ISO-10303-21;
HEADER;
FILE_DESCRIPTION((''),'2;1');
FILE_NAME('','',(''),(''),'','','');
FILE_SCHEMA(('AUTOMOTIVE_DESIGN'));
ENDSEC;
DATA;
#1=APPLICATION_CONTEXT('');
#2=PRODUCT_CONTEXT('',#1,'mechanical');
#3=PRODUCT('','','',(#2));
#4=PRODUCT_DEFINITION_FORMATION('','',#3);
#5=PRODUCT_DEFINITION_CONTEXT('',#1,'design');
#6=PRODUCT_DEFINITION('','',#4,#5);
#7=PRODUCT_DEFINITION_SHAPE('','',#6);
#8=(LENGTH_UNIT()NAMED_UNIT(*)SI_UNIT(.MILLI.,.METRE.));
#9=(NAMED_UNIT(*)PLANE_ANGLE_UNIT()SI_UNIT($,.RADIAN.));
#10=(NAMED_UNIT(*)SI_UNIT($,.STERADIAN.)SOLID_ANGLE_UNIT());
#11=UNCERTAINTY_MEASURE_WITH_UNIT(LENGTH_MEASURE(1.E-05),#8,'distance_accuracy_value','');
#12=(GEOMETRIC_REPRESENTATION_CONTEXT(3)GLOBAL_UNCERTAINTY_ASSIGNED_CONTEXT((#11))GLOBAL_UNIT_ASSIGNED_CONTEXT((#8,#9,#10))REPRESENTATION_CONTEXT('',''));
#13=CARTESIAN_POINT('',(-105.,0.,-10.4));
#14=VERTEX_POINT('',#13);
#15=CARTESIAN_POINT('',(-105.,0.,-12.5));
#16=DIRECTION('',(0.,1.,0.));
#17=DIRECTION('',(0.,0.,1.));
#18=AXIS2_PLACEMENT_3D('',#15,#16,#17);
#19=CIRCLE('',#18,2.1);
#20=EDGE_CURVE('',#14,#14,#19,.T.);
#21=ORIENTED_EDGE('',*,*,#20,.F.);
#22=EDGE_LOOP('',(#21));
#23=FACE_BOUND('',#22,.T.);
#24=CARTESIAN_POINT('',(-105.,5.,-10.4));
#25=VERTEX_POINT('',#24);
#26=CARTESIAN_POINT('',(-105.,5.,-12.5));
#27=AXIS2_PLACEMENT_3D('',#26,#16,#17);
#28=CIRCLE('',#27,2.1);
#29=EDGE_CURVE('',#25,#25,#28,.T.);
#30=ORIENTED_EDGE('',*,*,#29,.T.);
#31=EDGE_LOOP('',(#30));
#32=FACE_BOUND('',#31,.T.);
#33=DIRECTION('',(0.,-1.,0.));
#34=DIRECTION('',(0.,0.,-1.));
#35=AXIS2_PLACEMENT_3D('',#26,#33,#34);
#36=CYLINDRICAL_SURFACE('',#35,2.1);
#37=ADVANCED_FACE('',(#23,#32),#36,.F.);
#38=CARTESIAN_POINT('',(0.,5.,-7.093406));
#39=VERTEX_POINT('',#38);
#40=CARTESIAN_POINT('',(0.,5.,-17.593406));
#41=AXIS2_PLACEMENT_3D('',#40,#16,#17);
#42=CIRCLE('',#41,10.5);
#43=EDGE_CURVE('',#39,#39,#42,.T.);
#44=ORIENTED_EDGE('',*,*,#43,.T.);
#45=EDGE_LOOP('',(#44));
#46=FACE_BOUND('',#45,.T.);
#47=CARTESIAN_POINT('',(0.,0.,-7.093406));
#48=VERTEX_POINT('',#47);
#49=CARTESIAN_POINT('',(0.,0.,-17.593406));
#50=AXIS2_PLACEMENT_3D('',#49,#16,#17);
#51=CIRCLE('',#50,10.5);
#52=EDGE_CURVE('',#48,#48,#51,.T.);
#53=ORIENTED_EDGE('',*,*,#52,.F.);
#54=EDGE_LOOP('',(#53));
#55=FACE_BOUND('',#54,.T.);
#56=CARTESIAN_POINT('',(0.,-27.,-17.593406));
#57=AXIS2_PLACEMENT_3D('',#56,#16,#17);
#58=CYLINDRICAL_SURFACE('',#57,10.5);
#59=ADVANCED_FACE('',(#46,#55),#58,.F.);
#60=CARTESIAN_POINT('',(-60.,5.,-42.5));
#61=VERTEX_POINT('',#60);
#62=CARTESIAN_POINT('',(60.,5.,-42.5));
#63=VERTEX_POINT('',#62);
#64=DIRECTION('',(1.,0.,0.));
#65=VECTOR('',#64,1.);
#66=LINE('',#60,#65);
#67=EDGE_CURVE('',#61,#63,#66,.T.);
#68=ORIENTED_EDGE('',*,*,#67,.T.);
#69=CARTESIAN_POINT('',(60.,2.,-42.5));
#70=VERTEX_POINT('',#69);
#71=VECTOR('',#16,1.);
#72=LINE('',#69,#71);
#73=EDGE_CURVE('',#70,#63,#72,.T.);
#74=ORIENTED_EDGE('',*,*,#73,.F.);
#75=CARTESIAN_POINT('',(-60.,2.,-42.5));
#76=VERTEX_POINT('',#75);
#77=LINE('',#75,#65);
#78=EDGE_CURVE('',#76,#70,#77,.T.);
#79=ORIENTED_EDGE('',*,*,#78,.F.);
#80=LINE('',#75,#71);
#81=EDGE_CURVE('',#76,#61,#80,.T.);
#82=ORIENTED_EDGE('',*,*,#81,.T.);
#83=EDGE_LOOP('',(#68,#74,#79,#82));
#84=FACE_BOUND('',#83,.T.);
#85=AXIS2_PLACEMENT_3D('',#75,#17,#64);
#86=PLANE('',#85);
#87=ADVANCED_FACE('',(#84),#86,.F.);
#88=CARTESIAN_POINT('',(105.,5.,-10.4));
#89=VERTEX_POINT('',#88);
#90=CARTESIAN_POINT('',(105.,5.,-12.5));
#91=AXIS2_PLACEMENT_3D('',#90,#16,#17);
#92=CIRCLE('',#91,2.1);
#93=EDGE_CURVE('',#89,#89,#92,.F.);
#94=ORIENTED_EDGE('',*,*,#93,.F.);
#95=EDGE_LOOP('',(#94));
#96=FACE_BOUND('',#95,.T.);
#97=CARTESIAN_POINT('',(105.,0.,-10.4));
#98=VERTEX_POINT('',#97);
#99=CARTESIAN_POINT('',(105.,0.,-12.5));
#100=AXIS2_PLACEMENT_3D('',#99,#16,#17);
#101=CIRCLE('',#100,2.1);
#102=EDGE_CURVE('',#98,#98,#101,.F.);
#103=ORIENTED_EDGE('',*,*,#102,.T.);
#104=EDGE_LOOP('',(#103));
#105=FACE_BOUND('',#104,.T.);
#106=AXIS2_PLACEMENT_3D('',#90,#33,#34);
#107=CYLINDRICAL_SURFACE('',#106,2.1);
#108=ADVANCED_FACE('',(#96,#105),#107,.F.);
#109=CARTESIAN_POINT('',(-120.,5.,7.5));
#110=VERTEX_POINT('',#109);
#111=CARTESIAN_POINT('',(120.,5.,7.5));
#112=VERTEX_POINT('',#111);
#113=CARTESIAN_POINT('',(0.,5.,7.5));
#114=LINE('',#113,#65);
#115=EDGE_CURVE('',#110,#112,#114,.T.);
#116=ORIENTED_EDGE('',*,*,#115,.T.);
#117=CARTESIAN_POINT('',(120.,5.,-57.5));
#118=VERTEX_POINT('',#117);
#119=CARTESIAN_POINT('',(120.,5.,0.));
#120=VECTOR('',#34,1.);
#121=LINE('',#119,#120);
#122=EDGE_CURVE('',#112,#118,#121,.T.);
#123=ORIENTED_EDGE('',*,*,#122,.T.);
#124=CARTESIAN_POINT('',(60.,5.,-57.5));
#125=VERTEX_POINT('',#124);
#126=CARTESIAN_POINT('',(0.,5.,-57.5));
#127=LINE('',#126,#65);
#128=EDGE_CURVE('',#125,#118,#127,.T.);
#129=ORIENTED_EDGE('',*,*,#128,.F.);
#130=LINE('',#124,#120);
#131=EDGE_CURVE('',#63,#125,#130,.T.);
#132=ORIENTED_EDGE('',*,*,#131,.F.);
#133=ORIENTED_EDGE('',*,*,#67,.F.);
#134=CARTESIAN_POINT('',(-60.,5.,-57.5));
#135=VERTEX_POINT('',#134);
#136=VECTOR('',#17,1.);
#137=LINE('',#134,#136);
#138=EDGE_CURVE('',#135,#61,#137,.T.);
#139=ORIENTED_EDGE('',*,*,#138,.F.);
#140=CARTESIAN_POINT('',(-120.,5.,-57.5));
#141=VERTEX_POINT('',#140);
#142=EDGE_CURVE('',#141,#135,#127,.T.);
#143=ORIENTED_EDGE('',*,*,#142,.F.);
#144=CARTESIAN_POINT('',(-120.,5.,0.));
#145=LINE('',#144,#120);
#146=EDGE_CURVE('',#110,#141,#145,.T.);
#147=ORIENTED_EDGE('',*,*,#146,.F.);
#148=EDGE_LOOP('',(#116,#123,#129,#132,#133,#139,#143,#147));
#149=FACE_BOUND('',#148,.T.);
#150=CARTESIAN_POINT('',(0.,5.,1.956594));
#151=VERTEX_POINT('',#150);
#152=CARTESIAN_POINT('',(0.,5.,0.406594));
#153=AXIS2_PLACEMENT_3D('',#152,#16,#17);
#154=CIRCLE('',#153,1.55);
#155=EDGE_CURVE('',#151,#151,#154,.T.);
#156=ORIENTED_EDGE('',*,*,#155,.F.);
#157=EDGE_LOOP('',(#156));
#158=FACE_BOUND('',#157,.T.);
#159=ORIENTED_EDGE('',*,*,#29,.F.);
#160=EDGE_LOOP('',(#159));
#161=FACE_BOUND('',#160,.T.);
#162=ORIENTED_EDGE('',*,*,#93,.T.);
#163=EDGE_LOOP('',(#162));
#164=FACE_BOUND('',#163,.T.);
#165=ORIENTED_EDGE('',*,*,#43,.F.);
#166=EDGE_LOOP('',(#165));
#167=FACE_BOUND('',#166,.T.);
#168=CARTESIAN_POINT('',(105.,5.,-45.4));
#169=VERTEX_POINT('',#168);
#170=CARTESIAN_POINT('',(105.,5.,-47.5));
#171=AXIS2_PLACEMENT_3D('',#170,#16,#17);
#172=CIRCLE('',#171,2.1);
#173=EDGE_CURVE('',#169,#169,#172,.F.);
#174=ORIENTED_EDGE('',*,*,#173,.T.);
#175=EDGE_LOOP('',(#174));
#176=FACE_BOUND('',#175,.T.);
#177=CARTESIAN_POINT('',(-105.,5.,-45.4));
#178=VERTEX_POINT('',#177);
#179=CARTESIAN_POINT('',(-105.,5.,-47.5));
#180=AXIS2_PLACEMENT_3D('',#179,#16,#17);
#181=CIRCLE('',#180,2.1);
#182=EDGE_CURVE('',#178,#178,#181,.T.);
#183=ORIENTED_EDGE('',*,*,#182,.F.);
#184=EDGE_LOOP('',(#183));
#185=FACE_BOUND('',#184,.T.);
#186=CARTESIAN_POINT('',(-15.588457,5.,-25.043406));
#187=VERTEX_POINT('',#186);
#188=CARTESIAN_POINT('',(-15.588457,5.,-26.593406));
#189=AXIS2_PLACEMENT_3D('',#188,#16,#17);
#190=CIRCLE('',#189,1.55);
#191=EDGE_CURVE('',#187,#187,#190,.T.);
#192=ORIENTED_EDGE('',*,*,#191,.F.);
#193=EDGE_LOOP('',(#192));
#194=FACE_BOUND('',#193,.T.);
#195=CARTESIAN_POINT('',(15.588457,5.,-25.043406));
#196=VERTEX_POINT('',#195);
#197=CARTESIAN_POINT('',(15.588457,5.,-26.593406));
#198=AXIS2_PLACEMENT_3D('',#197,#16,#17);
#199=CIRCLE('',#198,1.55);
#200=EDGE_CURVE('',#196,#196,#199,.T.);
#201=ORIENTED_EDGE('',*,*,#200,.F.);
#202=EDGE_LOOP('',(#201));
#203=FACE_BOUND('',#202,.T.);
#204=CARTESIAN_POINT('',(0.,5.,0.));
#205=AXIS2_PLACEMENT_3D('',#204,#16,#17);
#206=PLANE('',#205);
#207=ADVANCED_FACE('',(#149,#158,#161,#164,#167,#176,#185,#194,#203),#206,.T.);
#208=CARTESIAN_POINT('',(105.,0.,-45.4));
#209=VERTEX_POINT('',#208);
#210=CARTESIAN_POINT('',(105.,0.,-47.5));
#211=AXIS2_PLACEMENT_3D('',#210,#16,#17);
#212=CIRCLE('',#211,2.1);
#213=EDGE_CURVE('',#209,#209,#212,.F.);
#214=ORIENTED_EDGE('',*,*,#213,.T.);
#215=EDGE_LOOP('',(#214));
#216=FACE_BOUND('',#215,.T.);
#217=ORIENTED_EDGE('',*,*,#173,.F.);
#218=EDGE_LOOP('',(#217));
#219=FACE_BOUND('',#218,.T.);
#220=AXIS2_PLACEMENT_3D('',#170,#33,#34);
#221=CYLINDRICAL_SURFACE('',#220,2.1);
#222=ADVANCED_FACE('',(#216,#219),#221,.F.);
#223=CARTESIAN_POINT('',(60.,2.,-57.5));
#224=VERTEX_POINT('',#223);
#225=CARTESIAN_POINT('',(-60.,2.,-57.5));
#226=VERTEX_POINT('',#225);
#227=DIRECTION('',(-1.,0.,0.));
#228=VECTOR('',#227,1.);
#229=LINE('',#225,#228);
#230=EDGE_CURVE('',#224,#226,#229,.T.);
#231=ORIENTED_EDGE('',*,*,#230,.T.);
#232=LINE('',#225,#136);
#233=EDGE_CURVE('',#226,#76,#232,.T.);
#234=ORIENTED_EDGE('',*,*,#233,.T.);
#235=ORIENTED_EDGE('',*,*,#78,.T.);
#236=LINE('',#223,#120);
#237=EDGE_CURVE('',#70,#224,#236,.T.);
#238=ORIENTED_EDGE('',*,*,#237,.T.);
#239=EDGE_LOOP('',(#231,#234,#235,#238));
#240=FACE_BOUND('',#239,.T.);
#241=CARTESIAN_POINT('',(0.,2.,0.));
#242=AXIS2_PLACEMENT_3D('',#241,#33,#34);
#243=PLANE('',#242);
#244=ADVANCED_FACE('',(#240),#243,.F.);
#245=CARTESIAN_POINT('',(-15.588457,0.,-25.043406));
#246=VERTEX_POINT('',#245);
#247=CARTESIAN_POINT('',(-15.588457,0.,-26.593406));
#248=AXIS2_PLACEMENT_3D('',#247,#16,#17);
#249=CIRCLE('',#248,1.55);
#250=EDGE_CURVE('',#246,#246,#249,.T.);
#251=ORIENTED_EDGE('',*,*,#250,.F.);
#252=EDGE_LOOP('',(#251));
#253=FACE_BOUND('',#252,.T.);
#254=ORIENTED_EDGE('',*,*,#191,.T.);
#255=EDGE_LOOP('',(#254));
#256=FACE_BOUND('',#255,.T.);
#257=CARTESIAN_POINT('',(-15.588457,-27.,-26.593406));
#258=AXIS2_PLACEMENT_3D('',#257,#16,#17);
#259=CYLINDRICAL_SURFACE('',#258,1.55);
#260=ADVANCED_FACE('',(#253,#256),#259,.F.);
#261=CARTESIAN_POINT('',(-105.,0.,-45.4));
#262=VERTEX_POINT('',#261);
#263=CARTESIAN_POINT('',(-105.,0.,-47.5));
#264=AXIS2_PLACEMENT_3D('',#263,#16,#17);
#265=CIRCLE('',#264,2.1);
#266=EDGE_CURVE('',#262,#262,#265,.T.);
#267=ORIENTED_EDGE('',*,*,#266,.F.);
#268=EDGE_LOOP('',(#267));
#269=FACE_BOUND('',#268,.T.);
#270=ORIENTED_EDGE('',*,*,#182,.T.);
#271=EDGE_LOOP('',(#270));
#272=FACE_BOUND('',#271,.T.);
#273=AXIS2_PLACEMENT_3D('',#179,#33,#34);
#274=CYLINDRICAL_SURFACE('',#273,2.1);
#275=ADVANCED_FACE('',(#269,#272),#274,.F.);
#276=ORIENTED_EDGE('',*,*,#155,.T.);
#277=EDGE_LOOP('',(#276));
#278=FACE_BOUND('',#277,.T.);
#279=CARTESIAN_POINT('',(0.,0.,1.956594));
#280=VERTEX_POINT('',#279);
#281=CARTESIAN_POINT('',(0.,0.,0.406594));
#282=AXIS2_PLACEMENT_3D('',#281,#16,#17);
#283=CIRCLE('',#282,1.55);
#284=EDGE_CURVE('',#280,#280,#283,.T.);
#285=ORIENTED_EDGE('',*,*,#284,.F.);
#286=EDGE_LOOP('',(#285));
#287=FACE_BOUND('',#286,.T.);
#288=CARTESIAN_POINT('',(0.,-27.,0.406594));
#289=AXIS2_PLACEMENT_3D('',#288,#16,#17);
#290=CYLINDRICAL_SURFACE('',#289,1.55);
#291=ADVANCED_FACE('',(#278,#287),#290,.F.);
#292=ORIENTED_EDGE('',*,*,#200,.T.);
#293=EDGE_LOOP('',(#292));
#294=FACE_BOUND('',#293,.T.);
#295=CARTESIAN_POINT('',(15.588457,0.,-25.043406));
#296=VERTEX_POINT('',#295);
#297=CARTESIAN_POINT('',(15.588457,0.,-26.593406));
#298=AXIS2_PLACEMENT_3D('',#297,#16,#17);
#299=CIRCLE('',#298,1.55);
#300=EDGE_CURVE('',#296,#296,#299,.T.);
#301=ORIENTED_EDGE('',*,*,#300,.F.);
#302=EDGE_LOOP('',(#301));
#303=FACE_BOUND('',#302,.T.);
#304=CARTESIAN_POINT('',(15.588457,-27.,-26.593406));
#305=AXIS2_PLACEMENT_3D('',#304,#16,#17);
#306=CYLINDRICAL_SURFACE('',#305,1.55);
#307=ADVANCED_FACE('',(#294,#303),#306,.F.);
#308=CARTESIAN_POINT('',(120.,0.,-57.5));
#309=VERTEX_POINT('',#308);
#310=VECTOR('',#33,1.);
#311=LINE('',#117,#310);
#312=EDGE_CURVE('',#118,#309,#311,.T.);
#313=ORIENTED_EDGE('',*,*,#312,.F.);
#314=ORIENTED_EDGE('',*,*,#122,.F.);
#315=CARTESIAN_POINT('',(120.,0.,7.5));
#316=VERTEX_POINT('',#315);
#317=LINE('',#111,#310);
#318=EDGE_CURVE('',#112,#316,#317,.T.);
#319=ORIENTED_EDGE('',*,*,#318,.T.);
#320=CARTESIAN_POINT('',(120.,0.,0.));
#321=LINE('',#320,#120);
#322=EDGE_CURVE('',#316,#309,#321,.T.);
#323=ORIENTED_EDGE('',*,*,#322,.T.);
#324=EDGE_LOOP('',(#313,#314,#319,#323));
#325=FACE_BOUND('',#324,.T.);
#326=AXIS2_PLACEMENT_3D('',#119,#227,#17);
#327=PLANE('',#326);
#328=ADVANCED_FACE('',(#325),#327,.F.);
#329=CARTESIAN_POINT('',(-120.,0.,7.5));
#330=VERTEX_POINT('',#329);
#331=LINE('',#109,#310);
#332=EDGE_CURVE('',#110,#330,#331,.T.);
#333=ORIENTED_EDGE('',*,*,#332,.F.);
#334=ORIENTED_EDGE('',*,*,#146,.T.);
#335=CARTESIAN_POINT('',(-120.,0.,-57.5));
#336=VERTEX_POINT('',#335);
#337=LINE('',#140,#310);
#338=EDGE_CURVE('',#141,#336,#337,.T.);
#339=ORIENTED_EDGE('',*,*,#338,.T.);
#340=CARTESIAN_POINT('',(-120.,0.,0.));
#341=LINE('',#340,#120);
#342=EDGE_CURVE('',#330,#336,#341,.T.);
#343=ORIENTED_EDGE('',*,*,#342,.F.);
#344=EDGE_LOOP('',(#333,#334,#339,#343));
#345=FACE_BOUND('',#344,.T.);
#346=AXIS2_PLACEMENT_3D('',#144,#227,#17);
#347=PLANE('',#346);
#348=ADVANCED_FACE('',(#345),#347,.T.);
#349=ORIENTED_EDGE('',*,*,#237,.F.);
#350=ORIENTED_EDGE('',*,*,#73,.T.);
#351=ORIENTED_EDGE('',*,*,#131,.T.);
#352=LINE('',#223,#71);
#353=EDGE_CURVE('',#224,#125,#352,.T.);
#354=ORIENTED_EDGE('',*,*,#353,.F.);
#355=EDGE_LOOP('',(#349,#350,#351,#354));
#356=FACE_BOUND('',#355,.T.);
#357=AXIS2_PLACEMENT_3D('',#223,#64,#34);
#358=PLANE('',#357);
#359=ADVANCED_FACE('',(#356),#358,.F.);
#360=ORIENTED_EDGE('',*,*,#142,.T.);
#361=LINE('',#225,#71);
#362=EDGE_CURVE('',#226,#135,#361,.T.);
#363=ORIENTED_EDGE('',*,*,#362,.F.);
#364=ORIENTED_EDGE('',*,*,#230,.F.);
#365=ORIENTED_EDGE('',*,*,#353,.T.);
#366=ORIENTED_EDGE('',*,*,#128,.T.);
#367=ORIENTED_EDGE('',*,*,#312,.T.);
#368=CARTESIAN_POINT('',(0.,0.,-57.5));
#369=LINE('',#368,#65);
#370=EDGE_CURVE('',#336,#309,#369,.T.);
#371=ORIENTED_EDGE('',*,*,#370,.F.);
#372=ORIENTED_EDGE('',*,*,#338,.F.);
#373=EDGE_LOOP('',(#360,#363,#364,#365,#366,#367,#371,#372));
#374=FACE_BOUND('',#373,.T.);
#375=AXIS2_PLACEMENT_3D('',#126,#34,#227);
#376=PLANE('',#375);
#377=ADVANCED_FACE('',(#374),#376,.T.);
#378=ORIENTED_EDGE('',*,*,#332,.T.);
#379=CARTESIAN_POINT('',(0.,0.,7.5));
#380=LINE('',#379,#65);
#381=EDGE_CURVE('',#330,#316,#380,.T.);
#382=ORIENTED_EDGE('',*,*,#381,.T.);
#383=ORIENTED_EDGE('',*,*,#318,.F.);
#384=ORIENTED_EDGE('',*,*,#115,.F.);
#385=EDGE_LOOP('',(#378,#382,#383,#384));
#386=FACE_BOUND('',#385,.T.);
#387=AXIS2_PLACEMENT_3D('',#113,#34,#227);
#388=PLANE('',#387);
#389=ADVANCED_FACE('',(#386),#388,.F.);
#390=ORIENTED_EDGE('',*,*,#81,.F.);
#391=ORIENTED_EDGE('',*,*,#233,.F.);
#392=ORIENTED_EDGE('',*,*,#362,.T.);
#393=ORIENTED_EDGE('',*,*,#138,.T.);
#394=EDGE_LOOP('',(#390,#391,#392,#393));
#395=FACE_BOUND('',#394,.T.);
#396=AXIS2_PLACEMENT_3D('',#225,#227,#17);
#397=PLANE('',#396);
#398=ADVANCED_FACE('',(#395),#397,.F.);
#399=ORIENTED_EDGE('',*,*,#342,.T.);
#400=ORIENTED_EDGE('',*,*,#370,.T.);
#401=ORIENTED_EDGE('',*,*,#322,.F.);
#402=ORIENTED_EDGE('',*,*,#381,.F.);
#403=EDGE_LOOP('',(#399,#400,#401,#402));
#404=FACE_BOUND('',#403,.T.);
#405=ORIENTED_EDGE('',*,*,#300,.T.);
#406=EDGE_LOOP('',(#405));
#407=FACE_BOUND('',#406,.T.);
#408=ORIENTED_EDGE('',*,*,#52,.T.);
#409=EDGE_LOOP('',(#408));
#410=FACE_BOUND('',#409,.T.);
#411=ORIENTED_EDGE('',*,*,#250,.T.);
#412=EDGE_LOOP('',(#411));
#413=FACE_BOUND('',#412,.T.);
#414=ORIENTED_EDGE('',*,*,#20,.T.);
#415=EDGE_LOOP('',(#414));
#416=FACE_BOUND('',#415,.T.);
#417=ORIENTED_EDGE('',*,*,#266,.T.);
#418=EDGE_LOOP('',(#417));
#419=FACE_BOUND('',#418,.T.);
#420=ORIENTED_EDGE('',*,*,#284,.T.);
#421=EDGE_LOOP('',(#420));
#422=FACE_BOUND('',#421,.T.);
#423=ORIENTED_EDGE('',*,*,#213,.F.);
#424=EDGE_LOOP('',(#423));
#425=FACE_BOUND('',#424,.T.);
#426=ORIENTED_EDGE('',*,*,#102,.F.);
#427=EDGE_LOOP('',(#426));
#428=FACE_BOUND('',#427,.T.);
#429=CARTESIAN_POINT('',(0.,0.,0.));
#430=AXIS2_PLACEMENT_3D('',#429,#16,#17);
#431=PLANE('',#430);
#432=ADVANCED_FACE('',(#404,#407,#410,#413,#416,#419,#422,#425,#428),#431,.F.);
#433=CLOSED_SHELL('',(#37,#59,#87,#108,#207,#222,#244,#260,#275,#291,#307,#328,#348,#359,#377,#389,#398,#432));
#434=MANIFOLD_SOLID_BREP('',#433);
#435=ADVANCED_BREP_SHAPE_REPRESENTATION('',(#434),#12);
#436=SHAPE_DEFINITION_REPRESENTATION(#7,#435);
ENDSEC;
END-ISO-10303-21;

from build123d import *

# Parameters (mm, degrees)
SKETCH_1_W          = 240
SKETCH_1_H          = 65
SKETCH_1_R          = 2.1
EXTRUDE_1_DEPTH     = 5
SKETCH_2_W          = 120
SKETCH_2_H          = 15
CUT_EXTRUDE_1_DEPTH = 3
SKETCH_3_R          = 1.55
CUT_EXTRUDE_2_DEPTH = 32


with BuildPart() as part:
    # 草图1 → 凸台-拉伸1 (new body)
    with BuildSketch(Plane(origin=(0, 0, 0), x_dir=(1, 0, 0), z_dir=(0, 1, 0))):
        with Locations((0, 25)):
            Rectangle(SKETCH_1_W, SKETCH_1_H)
        with Locations(Location((105, 12.5, 0), (0, 0, 270))):
            Circle(SKETCH_1_R, mode=Mode.SUBTRACT)
        with Locations(Location((-105, 12.5, 0), (0, 0, 270))):
            Circle(SKETCH_1_R, mode=Mode.SUBTRACT)
        with Locations(Location((-105, 47.5, 0), (0, 0, 270))):
            Circle(SKETCH_1_R, mode=Mode.SUBTRACT)
        with Locations(Location((105, 47.5, 0), (0, 0, 270))):
            Circle(SKETCH_1_R, mode=Mode.SUBTRACT)
    extrude(amount=EXTRUDE_1_DEPTH)

    # 草图2 → 切除-拉伸1 (cut)
    with BuildSketch(Plane(origin=(0, 5, 0), x_dir=(1, 0, 0), z_dir=(0, 1, 0))):
        with Locations((0, 50)):
            Rectangle(SKETCH_2_W, SKETCH_2_H)
    extrude(amount=-CUT_EXTRUDE_1_DEPTH, mode=Mode.SUBTRACT)

    # 草图3 → 切除-拉伸2 (cut)
    with BuildSketch(Plane(origin=(0, 5, 0), x_dir=(1, 0, 0), z_dir=(0, 1, 0))):
        with BuildLine():
            ThreePointArc((10.5, 17.593406236), (7.424621202, 25.018027438), (0, 28.093406236))
            Line((0, 28.093406236), (0, 7.093406236))
            ThreePointArc((0, 7.093406236), (7.424621202, 10.168785033), (10.5, 17.593406236))
        make_face()
        with BuildLine():
            Line((0, 7.093406236), (0, 28.093406236))
            ThreePointArc((0, 28.093406236), (-10.5, 17.593406236), (0, 7.093406236))
        make_face()
        with Locations(Location((15.588457268, 26.593406236, 0), (0, 0, 270))):
            Circle(SKETCH_3_R)
        with BuildLine():
            ThreePointArc((1.55, -0.406593764), (1.096015511, 0.689421747), (0, 1.143406236))
            Line((0, 1.143406236), (0, -1.956593764))
            ThreePointArc((0, -1.956593764), (1.096015511, -1.502609275), (1.55, -0.406593764))
        make_face()
        with BuildLine():
            Line((0, -1.956593764), (0, 1.143406236))
            ThreePointArc((0, 1.143406236), (-1.55, -0.406593764), (0, -1.956593764))
        make_face()
        with Locations(Location((-15.588457268, 26.593406236, 0), (0, 0, 270))):
            Circle(SKETCH_3_R)
    extrude(amount=-CUT_EXTRUDE_2_DEPTH, mode=Mode.SUBTRACT)


solid = part.part
